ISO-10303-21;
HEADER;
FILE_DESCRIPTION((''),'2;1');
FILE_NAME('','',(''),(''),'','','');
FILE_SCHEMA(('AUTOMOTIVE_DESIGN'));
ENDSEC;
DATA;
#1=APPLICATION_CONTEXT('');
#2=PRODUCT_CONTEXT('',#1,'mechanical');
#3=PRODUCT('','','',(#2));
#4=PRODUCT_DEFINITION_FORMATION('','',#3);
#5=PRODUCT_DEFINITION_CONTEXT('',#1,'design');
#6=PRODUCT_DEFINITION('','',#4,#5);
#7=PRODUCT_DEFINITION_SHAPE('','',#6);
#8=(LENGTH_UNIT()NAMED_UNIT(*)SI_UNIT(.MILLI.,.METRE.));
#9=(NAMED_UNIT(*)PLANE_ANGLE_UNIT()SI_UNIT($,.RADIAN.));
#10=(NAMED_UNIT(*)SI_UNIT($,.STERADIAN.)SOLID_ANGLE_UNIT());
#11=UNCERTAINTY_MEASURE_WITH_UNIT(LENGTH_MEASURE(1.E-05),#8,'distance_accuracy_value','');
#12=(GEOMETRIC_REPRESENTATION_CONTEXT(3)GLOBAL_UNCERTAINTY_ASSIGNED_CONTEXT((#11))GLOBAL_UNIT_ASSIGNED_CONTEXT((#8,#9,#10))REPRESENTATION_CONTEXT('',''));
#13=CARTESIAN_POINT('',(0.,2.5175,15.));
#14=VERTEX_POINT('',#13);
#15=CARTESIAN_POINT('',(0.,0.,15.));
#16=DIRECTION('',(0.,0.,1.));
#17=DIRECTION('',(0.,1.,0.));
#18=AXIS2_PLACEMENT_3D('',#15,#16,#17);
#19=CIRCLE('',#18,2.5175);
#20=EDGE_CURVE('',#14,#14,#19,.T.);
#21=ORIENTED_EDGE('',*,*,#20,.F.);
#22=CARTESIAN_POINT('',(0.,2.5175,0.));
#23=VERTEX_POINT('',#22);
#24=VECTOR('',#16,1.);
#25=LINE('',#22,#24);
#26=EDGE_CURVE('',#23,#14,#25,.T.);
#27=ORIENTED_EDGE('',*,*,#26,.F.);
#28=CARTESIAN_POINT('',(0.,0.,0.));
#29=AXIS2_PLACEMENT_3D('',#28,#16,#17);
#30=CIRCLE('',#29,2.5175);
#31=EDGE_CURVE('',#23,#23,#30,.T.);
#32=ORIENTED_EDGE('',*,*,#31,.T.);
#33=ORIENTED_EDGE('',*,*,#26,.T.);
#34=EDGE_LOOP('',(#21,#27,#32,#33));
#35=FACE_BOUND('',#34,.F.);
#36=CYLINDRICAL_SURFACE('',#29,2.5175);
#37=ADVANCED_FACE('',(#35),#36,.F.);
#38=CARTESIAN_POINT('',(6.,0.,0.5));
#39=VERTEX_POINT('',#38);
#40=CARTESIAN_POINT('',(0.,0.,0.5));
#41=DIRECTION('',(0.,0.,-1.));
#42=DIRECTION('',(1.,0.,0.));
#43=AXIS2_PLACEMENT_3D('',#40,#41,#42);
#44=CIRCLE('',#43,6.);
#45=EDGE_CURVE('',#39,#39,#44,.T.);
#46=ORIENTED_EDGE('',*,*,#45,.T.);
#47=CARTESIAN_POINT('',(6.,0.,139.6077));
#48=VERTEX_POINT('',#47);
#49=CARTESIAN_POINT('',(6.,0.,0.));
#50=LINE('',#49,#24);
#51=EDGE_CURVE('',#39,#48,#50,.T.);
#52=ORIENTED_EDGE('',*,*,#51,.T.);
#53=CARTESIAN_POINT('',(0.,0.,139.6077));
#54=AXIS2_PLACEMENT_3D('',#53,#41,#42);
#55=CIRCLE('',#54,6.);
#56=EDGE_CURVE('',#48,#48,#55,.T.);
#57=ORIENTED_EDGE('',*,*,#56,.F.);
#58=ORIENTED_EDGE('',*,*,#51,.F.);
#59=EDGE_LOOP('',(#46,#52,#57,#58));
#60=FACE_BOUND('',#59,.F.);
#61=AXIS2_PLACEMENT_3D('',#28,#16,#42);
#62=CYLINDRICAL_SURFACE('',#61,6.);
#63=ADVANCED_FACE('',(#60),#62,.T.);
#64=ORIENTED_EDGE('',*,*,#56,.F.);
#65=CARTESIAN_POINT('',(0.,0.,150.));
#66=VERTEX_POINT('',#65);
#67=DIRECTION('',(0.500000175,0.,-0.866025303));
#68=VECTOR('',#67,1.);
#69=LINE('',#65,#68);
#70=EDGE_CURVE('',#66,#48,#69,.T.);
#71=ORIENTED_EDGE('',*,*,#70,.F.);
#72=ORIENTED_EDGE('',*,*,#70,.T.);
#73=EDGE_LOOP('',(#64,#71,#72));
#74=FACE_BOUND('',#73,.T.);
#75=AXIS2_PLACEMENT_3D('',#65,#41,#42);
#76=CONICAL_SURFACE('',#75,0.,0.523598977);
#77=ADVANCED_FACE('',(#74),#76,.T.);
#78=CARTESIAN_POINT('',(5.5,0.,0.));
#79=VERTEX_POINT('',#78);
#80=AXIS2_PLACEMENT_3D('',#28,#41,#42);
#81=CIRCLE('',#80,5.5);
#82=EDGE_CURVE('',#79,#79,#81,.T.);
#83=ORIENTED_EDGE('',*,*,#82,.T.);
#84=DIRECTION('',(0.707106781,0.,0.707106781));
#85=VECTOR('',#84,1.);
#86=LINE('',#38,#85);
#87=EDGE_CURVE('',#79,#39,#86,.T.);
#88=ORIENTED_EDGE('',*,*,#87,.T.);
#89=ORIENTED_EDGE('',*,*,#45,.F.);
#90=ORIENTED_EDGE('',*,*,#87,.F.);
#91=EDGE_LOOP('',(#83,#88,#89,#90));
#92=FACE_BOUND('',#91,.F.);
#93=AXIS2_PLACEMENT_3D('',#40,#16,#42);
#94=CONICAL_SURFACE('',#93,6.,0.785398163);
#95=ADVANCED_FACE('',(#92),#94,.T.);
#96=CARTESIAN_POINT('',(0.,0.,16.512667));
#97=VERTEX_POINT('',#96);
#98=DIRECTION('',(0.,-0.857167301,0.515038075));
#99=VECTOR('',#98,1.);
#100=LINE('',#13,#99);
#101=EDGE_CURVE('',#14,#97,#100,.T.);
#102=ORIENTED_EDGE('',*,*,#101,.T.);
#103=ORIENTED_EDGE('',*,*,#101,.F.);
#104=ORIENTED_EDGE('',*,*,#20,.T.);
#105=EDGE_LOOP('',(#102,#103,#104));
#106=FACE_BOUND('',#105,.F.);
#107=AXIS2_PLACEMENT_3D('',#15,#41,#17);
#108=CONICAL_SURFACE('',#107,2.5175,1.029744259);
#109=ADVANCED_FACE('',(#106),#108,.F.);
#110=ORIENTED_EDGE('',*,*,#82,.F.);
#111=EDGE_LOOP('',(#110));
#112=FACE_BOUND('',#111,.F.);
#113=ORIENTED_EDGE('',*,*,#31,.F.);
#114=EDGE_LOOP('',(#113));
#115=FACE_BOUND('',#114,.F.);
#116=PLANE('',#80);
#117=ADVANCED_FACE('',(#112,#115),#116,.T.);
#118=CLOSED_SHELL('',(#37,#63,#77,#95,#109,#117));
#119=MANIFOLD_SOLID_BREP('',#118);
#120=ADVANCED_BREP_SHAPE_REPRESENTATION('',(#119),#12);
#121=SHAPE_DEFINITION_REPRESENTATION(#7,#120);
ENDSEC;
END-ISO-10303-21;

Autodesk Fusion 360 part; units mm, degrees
sketch "Sketch1" plane through (0, 0, 0) normal (0, 1, 0) x (1, 0, 0)
  line L0 (0, 0) -> (6, 0)
  line L1 (6, 0) -> (6, -150)
  line L2 (6, -150) -> (0, -150)
  line L3 (0, -150) -> (0, 0)
  line L4 (0, -150) -> (6, -139.6077)
  dimension "d1" = 12
  dimension "d2" = 150
  dimension "d3" = 30
revolve "Revolve1" add sketch "Sketch1" angle 360 about axis through (0, 0, 150) along (0, 0, -1) contours L0 L1 L3 L4
hole "Hole1" at (0, 0, 0) direction (0, 0, 1) diameter 5.035 depth 15 tip angle 118
chamfer "Chamfer1" distance 0.5 angle 45 1 edges at (-5.594, -2.1697, 0)
